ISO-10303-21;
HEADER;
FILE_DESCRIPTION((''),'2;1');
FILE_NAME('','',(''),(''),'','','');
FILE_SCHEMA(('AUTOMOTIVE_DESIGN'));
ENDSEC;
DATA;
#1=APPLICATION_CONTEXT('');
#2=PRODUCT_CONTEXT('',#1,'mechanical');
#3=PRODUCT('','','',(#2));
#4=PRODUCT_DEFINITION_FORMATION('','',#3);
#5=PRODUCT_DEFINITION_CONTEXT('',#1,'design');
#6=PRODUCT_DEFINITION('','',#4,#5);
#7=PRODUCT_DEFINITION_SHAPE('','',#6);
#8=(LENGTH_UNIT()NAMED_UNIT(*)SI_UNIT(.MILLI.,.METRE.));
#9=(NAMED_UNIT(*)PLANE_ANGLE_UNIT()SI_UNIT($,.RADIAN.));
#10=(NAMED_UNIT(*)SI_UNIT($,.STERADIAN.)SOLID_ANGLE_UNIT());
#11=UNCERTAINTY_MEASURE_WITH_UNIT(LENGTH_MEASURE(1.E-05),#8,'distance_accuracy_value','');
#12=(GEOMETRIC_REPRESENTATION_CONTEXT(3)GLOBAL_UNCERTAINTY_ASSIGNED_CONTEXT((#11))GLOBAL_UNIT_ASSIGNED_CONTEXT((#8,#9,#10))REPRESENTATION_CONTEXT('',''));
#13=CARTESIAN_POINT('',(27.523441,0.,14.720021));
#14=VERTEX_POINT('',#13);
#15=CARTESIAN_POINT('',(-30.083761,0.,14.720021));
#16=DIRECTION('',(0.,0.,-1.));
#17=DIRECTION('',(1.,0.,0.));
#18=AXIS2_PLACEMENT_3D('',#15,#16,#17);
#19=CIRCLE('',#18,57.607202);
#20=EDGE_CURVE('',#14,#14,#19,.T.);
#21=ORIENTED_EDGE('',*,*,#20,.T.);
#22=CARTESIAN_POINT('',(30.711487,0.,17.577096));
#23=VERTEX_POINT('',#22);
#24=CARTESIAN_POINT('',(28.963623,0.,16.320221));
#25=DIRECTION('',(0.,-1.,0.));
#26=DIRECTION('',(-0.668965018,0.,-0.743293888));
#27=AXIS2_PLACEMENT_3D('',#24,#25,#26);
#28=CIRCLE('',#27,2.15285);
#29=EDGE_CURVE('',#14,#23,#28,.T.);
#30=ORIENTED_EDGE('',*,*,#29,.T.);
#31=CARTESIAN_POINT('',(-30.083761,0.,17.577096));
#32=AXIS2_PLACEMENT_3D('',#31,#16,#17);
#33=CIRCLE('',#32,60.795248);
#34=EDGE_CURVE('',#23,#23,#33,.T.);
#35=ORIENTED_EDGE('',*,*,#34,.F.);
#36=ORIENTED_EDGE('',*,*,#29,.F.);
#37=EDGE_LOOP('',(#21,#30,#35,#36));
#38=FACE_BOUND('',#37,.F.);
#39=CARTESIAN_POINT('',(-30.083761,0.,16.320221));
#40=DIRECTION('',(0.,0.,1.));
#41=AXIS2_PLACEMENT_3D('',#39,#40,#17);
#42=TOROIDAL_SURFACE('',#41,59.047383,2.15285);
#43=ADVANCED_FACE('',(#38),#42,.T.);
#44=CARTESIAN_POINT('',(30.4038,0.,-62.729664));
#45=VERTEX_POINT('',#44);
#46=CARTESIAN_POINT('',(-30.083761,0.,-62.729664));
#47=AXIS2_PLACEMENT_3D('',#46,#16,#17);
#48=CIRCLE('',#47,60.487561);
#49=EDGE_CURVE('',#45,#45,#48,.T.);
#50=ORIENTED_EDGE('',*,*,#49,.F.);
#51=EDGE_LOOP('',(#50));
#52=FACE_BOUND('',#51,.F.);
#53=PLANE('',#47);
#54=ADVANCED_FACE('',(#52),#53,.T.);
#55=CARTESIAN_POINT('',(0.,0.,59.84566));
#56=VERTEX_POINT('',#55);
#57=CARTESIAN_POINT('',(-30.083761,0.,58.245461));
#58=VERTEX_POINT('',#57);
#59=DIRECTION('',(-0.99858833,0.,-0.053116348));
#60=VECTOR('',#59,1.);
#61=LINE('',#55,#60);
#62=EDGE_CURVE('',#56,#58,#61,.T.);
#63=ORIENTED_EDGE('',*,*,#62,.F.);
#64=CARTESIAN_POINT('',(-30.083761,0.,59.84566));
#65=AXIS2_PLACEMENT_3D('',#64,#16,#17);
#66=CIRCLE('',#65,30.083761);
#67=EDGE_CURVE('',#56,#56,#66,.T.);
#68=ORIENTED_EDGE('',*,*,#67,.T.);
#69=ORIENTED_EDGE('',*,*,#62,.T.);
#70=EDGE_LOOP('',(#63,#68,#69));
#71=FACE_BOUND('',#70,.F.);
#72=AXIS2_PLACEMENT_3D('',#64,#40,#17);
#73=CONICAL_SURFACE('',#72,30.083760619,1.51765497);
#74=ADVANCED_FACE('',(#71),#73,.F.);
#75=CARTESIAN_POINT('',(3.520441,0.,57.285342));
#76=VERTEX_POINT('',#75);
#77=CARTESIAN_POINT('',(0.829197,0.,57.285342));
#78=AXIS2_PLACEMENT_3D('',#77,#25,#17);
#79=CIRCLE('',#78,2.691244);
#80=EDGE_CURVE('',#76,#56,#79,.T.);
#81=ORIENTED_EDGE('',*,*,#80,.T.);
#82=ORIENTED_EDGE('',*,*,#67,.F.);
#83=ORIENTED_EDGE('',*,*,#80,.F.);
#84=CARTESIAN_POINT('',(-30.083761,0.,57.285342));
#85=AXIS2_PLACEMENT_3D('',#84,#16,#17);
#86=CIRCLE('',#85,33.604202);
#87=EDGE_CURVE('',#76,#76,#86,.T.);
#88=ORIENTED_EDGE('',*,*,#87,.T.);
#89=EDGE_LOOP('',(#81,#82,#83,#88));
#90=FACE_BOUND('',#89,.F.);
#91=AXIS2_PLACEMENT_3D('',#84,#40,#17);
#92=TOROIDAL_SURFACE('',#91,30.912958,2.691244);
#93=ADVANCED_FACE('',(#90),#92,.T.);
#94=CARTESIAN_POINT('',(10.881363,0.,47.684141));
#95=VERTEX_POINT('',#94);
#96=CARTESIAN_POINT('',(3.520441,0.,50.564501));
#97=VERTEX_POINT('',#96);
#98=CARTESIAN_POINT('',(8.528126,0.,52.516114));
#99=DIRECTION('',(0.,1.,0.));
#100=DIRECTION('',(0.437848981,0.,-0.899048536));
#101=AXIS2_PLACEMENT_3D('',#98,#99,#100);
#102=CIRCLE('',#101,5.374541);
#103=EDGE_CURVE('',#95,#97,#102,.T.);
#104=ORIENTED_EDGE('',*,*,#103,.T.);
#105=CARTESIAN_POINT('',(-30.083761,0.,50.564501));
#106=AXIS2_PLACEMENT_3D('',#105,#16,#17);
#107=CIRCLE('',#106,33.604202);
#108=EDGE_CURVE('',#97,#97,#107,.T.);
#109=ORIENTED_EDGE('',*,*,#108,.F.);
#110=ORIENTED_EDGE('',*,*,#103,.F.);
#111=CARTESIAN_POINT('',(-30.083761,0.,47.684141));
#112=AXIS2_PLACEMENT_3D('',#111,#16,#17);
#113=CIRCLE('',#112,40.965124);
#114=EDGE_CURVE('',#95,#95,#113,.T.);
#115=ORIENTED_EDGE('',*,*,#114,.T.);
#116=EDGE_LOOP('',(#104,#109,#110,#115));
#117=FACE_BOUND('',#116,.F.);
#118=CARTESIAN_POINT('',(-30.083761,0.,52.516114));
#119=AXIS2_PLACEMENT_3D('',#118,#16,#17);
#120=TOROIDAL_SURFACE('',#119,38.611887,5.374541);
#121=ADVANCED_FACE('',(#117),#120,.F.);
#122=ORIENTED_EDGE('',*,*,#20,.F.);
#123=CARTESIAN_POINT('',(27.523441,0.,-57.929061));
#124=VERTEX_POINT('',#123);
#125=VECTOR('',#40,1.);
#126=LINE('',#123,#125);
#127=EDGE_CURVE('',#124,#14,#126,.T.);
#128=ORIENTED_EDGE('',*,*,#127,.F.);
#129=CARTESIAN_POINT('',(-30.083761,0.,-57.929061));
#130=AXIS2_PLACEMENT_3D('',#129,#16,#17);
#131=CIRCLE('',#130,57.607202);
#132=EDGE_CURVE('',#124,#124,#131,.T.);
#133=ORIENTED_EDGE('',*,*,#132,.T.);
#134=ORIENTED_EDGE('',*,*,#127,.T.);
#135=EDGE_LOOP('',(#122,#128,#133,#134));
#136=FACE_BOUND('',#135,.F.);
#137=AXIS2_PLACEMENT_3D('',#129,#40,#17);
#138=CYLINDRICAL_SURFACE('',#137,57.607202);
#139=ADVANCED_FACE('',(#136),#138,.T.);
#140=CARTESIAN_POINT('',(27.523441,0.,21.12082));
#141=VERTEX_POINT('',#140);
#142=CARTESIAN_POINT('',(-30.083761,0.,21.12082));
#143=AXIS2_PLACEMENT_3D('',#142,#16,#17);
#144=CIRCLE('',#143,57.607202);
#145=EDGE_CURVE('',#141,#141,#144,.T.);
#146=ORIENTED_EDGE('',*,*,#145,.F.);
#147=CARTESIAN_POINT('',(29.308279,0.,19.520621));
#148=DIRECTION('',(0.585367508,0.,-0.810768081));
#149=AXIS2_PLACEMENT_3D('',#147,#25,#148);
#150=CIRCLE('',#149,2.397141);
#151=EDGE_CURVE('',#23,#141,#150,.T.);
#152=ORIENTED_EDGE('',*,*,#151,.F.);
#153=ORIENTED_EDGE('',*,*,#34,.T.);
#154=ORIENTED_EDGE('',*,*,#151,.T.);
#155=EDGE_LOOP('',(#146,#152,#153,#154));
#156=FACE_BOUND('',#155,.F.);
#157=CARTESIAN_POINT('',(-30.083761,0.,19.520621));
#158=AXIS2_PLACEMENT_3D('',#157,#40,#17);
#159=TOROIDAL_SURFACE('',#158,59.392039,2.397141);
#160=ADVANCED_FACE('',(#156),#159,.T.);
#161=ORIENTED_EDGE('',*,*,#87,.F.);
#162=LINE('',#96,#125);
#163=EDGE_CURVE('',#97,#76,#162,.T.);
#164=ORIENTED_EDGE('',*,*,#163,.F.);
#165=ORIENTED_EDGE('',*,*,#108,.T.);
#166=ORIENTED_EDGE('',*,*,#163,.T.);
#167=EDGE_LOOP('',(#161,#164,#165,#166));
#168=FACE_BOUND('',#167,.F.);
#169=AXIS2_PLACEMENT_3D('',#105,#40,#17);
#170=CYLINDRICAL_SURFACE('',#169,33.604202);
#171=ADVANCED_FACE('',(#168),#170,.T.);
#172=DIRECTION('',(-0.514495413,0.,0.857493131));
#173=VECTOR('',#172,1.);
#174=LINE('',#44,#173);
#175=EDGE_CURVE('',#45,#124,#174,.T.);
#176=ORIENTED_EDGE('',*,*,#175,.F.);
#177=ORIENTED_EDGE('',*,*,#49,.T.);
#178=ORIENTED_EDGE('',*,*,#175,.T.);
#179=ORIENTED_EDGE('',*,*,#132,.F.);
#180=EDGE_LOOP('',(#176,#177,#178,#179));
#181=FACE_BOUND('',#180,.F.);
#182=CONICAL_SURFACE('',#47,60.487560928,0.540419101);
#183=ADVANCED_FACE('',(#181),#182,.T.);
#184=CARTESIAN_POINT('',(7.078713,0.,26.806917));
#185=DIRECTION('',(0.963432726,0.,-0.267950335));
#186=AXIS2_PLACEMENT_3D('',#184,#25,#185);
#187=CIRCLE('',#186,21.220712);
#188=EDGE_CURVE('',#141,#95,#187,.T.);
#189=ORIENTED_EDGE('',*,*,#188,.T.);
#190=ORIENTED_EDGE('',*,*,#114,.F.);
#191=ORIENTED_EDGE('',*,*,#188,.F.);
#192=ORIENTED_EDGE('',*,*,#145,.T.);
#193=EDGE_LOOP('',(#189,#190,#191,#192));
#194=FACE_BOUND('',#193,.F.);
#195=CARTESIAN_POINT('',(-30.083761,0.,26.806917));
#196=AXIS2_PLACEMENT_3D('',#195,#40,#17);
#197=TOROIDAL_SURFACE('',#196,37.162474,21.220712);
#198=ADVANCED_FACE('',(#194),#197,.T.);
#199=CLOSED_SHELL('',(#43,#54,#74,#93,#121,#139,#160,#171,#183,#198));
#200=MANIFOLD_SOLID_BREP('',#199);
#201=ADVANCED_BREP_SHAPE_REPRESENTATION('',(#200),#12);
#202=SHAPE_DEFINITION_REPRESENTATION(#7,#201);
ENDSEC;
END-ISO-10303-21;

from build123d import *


with BuildPart() as f1:
    # F0 (on Front) → F1 (revolve)
    with BuildSketch(Plane.XZ):
        with BuildLine():
            Line((0, 59.8456598818), (-30.0837606192, 58.2454614341))
            Line((-30.0837606192, 58.2454614341), (-30.0837606192, -62.7296641469))
            Line((-30.0837606192, -62.7296641469), (30.4038003087, -62.7296641469))
            Line((30.4038003087, -62.7296641469), (27.5234412402, -57.9290613532))
            Line((27.5234412402, -57.9290613532), (27.5234412402, 14.7200208157))
            ThreePointArc((27.5234412402, 14.7200208157), (30.4004199378, 14.7169815913), (30.7114869572, 17.577095745))
            ThreePointArc((30.7114869572, 17.577095745), (31.0903859196, 21.1238603503), (27.5234412402, 21.1208201945))
            ThreePointArc((27.5234412402, 21.1208201945), (25.0616587932, 38.0733392994), (10.8813634142, 47.6841405034))
            ThreePointArc((10.8813634142, 47.6841405034), (6.5696464282, 47.5111112465), (3.5204414744, 50.5645014346))
            Line((3.5204414744, 50.5645014346), (3.5204414744, 57.2853423655))
            ThreePointArc((3.5204414744, 57.2853423655), (2.4121095907, 59.4618495421), (0, 59.8456598818))
        make_face()
        with BuildLine():
            ThreePointArc((27.5234412402, 17.9204214364), (29.1941336518, 18.4606949431), (30.7114869572, 17.577095745))
            ThreePointArc((30.7114869572, 17.577095745), (29.0516109412, 17.1372608727), (27.5234412402, 17.9204214364))
        make_face(mode=Mode.SUBTRACT)
        with BuildLine():
            ThreePointArc((27.5234412402, 17.9204214364), (29.0516109412, 17.1372608727), (30.7114869572, 17.577095745))
            ThreePointArc((30.7114869572, 17.577095745), (29.1941336518, 18.4606949431), (27.5234412402, 17.9204214364))
        make_face()
    revolve(axis=Axis((-30.0837606192, 0, -2.2421013564), (0, 0, -1)))


solid = f1.part
